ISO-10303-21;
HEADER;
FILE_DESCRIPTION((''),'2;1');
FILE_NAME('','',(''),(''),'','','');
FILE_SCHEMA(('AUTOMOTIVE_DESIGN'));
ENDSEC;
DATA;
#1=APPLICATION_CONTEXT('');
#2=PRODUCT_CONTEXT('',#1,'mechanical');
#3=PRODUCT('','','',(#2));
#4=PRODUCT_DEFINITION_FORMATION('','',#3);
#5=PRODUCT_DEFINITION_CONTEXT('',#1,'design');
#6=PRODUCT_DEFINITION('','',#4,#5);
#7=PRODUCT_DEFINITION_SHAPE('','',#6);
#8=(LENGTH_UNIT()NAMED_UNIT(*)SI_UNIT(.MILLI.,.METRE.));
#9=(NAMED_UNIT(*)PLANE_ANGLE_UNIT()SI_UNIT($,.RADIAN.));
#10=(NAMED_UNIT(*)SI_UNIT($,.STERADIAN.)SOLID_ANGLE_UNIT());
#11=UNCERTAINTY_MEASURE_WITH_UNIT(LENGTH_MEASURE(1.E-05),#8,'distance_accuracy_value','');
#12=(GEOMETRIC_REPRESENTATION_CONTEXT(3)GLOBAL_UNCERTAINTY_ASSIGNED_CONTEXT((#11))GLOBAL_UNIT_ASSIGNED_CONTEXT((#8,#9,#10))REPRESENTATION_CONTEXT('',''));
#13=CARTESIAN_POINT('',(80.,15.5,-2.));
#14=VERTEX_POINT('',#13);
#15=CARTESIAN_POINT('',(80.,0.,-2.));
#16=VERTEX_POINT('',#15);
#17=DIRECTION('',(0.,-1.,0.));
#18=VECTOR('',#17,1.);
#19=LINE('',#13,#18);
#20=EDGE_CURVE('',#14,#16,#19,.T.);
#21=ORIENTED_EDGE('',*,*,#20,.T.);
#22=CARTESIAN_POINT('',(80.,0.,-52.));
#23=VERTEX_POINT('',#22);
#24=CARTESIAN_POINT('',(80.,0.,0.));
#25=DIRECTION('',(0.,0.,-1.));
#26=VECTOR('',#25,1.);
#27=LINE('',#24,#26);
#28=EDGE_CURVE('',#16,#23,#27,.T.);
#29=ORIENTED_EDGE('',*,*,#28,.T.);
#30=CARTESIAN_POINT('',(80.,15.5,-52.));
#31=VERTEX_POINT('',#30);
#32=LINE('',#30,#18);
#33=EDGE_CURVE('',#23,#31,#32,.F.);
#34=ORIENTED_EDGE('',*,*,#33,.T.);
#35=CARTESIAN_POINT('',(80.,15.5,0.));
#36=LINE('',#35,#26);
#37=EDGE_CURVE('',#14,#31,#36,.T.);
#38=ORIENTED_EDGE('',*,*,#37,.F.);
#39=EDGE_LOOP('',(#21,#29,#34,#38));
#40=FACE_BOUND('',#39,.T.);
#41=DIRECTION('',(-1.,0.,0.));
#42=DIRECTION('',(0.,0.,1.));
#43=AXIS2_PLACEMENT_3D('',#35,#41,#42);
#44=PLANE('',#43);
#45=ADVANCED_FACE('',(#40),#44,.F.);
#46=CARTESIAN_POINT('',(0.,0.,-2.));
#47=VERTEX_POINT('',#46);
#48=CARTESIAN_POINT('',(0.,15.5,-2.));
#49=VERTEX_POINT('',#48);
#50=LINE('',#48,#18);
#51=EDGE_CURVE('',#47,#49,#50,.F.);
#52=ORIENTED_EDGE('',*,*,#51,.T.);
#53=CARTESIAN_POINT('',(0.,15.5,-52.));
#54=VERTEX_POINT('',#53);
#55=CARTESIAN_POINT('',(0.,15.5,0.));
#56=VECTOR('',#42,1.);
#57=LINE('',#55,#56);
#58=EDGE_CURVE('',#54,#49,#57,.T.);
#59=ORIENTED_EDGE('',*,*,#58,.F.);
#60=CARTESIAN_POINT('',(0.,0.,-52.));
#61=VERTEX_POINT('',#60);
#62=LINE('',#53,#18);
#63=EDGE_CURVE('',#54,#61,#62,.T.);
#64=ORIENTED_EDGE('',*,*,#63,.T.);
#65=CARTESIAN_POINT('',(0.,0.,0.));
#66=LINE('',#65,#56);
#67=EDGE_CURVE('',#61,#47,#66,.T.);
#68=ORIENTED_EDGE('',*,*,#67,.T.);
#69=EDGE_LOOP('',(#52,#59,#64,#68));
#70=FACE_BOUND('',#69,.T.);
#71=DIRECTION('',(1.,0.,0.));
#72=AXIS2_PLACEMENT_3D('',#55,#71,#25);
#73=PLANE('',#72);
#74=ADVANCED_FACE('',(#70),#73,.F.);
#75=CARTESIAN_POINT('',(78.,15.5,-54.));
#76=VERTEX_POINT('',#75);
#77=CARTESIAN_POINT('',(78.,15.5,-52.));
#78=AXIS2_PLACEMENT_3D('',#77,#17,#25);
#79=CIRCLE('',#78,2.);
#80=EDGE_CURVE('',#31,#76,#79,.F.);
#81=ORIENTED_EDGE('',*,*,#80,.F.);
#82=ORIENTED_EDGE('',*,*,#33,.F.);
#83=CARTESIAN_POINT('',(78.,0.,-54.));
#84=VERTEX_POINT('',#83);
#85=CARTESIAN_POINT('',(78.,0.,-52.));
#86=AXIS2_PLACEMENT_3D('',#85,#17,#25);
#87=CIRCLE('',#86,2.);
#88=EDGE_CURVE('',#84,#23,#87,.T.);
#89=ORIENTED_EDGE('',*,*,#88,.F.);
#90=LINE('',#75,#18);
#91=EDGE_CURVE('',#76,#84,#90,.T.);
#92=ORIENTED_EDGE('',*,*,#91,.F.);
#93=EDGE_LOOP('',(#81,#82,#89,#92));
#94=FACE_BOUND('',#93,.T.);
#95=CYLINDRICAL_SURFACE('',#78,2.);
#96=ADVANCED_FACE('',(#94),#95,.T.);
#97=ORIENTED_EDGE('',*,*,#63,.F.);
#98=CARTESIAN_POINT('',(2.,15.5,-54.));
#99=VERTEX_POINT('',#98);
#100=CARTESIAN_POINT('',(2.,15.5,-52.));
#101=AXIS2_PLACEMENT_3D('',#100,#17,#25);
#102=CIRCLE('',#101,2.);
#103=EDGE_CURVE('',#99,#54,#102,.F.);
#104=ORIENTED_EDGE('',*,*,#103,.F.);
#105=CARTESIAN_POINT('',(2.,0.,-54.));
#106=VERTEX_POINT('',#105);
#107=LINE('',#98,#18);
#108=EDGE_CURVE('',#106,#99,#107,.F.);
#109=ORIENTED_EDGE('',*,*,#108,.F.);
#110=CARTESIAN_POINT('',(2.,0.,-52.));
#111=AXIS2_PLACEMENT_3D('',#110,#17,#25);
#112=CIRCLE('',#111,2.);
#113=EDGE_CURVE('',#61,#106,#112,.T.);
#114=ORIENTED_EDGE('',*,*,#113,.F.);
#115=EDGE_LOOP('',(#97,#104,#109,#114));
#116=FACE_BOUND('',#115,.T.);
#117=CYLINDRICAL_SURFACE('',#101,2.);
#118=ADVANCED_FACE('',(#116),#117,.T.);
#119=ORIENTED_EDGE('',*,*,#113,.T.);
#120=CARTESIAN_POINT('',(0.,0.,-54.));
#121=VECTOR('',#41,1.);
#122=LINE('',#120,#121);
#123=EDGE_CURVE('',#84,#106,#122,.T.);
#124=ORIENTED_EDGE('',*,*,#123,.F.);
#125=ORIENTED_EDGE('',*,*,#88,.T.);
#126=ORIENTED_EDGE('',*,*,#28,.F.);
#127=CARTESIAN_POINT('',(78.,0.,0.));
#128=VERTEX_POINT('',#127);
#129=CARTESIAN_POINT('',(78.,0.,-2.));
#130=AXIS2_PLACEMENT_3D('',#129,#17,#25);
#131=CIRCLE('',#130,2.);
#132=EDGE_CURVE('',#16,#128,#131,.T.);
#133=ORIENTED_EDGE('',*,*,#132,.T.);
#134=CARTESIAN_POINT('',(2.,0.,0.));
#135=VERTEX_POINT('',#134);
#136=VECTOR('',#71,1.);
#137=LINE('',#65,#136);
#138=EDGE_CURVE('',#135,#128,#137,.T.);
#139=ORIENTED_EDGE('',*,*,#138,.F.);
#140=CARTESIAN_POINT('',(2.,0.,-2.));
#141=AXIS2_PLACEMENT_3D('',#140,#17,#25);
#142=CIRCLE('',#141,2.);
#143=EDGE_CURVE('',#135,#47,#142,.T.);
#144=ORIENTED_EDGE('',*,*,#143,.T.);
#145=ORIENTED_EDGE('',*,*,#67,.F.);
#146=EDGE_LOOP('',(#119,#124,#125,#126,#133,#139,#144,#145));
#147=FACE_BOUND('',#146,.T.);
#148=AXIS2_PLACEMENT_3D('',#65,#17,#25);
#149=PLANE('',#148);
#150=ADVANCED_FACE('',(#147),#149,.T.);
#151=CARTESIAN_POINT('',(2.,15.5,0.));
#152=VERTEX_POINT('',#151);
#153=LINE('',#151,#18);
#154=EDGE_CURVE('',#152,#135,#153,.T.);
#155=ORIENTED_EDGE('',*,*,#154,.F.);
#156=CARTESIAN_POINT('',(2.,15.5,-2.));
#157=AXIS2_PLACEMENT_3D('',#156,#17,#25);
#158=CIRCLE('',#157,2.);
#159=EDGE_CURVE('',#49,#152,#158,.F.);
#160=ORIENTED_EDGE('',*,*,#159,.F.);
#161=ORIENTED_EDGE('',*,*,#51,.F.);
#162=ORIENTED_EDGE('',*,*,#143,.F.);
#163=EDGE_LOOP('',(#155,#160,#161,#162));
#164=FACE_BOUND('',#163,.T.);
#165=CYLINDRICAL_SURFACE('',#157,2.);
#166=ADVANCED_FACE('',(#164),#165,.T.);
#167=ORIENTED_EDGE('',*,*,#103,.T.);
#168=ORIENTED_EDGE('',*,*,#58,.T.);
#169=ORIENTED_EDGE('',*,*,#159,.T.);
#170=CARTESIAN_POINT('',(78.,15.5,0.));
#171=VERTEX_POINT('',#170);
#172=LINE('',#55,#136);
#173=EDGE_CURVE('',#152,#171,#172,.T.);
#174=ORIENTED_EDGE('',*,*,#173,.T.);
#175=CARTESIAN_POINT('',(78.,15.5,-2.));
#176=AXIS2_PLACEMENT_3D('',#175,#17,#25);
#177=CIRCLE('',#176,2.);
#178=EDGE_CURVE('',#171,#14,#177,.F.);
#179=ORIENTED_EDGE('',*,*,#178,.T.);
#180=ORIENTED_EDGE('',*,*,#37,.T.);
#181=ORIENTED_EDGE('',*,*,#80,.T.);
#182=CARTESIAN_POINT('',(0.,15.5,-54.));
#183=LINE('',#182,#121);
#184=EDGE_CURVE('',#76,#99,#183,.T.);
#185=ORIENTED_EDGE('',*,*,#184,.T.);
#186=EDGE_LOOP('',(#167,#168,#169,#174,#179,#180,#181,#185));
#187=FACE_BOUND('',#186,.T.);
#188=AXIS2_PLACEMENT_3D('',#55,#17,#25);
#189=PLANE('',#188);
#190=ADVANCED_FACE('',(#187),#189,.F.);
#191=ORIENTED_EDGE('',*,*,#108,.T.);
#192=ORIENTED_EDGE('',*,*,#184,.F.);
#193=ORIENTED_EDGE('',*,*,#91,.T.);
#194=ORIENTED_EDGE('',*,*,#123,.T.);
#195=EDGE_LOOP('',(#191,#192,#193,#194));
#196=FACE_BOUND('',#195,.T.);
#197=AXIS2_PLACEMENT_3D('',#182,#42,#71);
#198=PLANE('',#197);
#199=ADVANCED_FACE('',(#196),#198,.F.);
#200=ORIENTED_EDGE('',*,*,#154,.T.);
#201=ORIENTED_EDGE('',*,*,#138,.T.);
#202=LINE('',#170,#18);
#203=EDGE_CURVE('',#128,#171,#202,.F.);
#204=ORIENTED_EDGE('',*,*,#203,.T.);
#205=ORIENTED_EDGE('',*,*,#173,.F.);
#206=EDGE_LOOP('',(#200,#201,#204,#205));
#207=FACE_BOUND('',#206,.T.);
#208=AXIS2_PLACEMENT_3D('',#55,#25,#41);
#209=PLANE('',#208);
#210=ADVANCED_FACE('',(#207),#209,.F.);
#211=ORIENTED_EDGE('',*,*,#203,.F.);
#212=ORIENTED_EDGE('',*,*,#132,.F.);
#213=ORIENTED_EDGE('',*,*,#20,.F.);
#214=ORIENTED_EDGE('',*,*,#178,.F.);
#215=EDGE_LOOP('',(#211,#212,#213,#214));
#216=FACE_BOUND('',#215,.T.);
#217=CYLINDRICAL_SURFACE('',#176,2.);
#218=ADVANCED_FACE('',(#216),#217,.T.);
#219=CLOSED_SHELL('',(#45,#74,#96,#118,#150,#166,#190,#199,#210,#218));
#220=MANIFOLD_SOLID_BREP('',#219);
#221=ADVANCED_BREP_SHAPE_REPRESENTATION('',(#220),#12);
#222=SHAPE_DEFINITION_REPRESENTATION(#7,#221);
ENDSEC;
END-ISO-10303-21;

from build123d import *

# Parameters (mm, degrees)
SKETCH1_W           = 80
SKETCH1_H           = 54
BOSS_EXTRUDE2_DEPTH = 15.5
FILLET1_R           = 2


with BuildPart() as part:
    # Sketch1 → Boss-Extrude2 (new body)
    with BuildSketch(Plane(origin=(0, 0, 0), x_dir=(1, 0, 0), z_dir=(0, 1, 0))):
        with Locations((40, 27)):
            Rectangle(SKETCH1_W, SKETCH1_H)
    extrude(amount=BOSS_EXTRUDE2_DEPTH)

    # Fillet1
    fillet1_edges = [part.edges().sort_by_distance(p)[0] for p in [
        (0, 7.75, -54),
        (80, 7.75, -54),
        (80, 7.75, 0),
        (0, 7.75, 0),
    ]]
    fillet(fillet1_edges, radius=FILLET1_R)


solid = part.part
